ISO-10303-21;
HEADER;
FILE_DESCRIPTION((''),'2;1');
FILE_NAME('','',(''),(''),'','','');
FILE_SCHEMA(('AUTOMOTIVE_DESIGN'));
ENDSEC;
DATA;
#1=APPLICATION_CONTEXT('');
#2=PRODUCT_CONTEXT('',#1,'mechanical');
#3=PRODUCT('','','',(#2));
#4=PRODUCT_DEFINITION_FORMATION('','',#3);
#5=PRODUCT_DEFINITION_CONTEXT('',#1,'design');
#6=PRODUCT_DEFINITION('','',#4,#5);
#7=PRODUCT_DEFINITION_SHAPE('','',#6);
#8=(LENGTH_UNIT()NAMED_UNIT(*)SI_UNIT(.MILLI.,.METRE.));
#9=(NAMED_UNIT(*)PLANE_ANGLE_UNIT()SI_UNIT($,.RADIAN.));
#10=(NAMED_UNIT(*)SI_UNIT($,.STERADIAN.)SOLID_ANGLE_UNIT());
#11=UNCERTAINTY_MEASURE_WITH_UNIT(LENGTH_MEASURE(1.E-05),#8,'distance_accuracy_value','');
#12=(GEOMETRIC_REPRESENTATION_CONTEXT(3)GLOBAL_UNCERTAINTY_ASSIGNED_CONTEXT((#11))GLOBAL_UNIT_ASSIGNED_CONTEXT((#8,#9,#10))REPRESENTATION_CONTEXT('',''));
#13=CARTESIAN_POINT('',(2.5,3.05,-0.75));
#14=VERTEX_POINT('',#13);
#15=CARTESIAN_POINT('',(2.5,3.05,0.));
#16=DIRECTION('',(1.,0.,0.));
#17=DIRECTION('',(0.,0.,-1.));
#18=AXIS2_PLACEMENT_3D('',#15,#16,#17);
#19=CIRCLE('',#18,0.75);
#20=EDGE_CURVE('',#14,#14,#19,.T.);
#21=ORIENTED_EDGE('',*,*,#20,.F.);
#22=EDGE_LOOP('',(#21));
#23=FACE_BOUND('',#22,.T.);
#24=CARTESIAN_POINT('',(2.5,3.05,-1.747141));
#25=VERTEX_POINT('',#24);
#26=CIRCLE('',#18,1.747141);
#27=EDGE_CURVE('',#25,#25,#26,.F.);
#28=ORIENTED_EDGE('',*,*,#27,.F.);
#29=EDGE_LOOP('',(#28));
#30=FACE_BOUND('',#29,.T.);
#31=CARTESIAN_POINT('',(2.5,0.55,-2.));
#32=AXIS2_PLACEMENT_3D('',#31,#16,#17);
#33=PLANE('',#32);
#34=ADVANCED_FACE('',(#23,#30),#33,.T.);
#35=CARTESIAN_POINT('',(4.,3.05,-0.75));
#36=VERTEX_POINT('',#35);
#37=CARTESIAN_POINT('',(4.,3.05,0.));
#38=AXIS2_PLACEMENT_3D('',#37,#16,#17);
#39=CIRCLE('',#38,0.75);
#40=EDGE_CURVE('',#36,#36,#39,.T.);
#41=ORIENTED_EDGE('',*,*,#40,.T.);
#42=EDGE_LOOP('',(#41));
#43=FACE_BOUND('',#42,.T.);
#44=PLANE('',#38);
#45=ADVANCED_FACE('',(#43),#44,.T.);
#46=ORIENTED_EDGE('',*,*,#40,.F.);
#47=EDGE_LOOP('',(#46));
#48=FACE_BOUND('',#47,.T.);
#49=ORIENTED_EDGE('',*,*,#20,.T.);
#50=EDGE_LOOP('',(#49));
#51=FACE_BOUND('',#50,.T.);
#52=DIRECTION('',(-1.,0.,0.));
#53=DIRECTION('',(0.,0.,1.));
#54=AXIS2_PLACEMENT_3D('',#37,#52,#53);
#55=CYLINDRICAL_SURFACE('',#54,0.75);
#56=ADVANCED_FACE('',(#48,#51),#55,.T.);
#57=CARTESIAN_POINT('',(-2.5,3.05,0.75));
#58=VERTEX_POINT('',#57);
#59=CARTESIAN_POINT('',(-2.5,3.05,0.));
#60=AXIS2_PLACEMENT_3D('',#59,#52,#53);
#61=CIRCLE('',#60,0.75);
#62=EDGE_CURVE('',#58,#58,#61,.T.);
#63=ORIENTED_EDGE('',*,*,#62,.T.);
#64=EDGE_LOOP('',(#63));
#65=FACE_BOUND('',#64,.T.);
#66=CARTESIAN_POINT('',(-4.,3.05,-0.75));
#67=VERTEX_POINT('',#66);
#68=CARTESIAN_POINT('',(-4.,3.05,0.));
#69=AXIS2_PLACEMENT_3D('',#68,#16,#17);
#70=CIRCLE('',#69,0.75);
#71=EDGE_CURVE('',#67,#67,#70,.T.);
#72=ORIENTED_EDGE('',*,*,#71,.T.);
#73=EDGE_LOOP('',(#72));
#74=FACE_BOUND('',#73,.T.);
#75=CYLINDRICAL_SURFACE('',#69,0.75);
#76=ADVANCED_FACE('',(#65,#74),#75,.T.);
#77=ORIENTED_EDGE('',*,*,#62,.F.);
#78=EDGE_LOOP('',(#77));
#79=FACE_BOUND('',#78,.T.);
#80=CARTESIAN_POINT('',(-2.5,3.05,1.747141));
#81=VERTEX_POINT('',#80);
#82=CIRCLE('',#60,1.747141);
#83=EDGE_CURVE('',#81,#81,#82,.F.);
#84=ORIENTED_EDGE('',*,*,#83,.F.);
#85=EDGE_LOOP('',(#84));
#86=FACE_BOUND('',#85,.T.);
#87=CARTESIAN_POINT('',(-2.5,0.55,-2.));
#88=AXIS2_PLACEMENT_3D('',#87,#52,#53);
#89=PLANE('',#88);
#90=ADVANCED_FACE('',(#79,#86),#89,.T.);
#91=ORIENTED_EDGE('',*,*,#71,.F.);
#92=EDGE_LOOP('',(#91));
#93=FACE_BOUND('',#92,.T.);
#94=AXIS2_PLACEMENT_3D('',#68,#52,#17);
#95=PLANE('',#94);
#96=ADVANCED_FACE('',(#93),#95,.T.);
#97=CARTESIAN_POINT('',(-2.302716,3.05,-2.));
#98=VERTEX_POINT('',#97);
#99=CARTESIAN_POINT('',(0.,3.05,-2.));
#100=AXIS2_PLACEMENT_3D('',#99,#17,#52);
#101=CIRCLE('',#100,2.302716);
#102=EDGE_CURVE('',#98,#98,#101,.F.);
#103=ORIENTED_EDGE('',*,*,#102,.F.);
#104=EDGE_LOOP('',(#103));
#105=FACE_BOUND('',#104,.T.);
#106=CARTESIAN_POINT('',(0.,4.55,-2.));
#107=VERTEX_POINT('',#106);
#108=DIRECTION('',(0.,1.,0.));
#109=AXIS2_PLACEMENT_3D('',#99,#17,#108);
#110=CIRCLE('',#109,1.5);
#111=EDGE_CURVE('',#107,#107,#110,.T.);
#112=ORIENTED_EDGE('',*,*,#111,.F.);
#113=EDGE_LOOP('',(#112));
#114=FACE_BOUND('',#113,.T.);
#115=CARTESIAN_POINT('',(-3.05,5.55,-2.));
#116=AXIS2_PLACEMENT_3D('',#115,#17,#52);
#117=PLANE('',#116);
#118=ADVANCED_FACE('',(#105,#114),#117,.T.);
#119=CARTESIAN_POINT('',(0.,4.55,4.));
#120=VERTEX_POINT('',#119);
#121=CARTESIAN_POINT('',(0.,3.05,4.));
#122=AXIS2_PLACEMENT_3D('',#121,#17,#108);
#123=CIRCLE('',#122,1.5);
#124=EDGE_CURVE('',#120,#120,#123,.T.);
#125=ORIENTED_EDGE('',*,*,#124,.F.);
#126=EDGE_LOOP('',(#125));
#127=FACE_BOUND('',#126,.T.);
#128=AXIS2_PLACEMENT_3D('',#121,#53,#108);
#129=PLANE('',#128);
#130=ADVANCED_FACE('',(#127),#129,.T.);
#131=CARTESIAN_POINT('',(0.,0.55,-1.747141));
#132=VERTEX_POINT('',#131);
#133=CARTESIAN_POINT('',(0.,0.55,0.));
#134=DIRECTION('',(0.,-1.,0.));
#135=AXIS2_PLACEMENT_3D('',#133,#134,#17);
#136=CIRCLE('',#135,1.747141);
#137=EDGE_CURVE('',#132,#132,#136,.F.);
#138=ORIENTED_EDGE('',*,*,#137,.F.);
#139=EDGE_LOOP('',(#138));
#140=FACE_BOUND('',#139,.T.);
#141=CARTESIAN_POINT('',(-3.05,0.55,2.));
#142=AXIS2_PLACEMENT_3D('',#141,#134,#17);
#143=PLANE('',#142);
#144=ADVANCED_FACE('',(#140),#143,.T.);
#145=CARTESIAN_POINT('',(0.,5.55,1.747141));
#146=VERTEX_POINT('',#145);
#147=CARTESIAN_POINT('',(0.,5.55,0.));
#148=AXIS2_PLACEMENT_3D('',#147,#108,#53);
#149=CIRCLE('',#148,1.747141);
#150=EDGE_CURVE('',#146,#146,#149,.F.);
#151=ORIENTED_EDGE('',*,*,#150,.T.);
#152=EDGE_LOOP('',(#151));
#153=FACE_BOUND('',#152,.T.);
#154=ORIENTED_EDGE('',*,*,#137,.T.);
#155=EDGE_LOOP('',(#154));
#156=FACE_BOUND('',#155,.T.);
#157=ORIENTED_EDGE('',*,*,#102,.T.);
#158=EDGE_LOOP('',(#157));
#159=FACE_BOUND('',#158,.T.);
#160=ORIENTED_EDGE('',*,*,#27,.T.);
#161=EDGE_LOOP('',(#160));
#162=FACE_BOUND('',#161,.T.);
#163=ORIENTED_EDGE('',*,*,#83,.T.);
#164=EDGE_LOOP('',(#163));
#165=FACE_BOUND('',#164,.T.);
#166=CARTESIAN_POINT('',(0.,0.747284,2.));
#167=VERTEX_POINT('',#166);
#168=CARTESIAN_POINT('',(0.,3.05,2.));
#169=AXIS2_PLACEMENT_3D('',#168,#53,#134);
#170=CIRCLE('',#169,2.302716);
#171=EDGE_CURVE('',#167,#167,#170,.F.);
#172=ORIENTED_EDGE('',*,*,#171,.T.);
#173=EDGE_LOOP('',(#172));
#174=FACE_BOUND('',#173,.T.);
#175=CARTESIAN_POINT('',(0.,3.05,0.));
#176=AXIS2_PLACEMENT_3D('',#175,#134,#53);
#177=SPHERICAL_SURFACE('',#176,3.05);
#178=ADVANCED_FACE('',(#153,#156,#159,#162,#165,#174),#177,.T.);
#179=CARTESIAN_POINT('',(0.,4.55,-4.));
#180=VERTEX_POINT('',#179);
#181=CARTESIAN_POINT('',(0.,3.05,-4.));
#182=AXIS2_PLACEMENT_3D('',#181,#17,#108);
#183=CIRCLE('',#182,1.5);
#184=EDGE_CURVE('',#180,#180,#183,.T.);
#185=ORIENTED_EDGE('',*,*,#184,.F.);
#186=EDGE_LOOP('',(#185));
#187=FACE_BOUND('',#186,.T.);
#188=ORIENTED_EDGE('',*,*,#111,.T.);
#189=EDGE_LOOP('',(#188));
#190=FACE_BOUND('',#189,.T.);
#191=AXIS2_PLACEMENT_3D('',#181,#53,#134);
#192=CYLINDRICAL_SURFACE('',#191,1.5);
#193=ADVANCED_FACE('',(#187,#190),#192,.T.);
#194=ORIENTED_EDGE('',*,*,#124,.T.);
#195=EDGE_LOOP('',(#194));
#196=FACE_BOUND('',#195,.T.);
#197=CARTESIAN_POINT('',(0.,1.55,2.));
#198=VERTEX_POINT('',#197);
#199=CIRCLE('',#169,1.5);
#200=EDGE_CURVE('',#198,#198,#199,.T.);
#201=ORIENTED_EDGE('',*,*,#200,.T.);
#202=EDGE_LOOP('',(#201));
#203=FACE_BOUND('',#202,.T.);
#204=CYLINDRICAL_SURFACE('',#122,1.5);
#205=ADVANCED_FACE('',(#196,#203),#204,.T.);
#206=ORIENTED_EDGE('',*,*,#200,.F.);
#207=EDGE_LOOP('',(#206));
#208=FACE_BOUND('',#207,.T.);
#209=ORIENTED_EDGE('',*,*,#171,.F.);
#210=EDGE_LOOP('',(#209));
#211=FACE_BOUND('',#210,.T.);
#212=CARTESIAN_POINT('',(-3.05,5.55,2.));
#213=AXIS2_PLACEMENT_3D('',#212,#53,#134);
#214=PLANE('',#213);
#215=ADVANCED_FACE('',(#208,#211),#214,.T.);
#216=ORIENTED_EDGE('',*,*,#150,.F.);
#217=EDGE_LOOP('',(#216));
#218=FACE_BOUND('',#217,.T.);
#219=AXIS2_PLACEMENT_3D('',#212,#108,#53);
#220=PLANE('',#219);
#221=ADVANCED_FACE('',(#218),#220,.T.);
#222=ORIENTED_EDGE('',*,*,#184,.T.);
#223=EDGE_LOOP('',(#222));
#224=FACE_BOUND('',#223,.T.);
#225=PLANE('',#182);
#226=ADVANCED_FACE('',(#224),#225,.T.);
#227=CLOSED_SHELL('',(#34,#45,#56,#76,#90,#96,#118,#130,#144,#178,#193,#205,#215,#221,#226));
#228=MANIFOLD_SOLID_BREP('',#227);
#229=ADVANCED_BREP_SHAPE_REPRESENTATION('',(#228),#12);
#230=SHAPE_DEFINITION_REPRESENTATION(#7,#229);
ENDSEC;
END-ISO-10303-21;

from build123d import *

# Parameters (mm, degrees)
CUT_EXTRUDE1_DEPTH      = 8.470943715
CUT_EXTRUDE1_DEPTH_BACK = 8.470943715
SKETCH3_OUTSIDE_W       = 10.214
SKETCH3_OUTSIDE_H       = 10.214
SKETCH3_OUTSIDE_W_2     = 4
SKETCH3_OUTSIDE_H_2     = 5
CUT_EXTRUDE2_DEPTH      = 7.641159537
CUT_EXTRUDE2_DEPTH_BACK = 7.641159537
SKETCH4_OUTSIDE_W       = 9.868
SKETCH4_OUTSIDE_H       = 8.768
SKETCH4_OUTSIDE_W_2     = 5
SKETCH4_OUTSIDE_H_2     = 5
SKETCH5_R               = 0.75
BOSS_EXTRUDE1_DEPTH     = 1.5
SKETCH6_R               = 1.5
BOSS_EXTRUDE2_DEPTH     = 2


with BuildPart() as part:
    # Sketch2 → Revolve3 (revolve)
    with BuildSketch(Plane(origin=(0, 0, 0), x_dir=(0, 0, -1), z_dir=(1, 0, 0))):
        with BuildLine():
            Line((0, 0), (0, 6.1))
            ThreePointArc((0, 6.1), (3.05, 3.05), (0, 0))
        make_face()
    revolve(axis=Axis((0, 0, 0), (0, 1, 0)))

    # Sketch3 outside → Cut-Extrude1 (cut, two sides: drawn at the far end of the back side and taken through both)
    with BuildSketch(Plane(origin=(0, 0, 0), x_dir=(0, 0, -1), z_dir=(1, 0, 0)).offset(-CUT_EXTRUDE1_DEPTH_BACK)):
        with Locations((0, 3.05)):
            Rectangle(SKETCH3_OUTSIDE_W, SKETCH3_OUTSIDE_H)
        with Locations((0, 3.05)):
            Rectangle(SKETCH3_OUTSIDE_W_2, SKETCH3_OUTSIDE_H_2, mode=Mode.SUBTRACT)
    extrude(amount=CUT_EXTRUDE1_DEPTH + CUT_EXTRUDE1_DEPTH_BACK, mode=Mode.SUBTRACT)

    # Sketch4 outside → Cut-Extrude2 (cut, two sides: drawn at the far end of the back side and taken through both)
    with BuildSketch(Plane.XY.offset(-CUT_EXTRUDE2_DEPTH_BACK)):
        with Locations((0, 3.05)):
            Rectangle(SKETCH4_OUTSIDE_W, SKETCH4_OUTSIDE_H)
        with Locations((0, 3.05)):
            Rectangle(SKETCH4_OUTSIDE_W_2, SKETCH4_OUTSIDE_H_2, mode=Mode.SUBTRACT)
    extrude(amount=CUT_EXTRUDE2_DEPTH + CUT_EXTRUDE2_DEPTH_BACK, mode=Mode.SUBTRACT)

    # Sketch5 → Boss-Extrude1 (add)
    with BuildSketch(Plane(origin=(2.5, 0, 0), x_dir=(0, 0, -1), z_dir=(1, 0, 0))):
        with Locations((0, 3.05)):
            Circle(SKETCH5_R)
    boss_extrude1 = extrude(amount=BOSS_EXTRUDE1_DEPTH)

    # Mirror1: Boss-Extrude1 across plane
    add(boss_extrude1.mirror(Plane(origin=(0, 0, 0), x_dir=(0, 0, 1), z_dir=(1, 0, 0))))

    # Sketch6 → Boss-Extrude2 (add)
    with BuildSketch(Plane(origin=(0, 0, -2), x_dir=(-1, 0, 0), z_dir=(0, 0, -1))):
        with Locations(Location((0, 3.05, 0), (0, 0, 90))):
            Circle(SKETCH6_R)
    boss_extrude2 = extrude(amount=BOSS_EXTRUDE2_DEPTH)

    # Mirror2: Boss-Extrude2 across plane
    add(boss_extrude2.mirror(Plane.XY))


solid = part.part
